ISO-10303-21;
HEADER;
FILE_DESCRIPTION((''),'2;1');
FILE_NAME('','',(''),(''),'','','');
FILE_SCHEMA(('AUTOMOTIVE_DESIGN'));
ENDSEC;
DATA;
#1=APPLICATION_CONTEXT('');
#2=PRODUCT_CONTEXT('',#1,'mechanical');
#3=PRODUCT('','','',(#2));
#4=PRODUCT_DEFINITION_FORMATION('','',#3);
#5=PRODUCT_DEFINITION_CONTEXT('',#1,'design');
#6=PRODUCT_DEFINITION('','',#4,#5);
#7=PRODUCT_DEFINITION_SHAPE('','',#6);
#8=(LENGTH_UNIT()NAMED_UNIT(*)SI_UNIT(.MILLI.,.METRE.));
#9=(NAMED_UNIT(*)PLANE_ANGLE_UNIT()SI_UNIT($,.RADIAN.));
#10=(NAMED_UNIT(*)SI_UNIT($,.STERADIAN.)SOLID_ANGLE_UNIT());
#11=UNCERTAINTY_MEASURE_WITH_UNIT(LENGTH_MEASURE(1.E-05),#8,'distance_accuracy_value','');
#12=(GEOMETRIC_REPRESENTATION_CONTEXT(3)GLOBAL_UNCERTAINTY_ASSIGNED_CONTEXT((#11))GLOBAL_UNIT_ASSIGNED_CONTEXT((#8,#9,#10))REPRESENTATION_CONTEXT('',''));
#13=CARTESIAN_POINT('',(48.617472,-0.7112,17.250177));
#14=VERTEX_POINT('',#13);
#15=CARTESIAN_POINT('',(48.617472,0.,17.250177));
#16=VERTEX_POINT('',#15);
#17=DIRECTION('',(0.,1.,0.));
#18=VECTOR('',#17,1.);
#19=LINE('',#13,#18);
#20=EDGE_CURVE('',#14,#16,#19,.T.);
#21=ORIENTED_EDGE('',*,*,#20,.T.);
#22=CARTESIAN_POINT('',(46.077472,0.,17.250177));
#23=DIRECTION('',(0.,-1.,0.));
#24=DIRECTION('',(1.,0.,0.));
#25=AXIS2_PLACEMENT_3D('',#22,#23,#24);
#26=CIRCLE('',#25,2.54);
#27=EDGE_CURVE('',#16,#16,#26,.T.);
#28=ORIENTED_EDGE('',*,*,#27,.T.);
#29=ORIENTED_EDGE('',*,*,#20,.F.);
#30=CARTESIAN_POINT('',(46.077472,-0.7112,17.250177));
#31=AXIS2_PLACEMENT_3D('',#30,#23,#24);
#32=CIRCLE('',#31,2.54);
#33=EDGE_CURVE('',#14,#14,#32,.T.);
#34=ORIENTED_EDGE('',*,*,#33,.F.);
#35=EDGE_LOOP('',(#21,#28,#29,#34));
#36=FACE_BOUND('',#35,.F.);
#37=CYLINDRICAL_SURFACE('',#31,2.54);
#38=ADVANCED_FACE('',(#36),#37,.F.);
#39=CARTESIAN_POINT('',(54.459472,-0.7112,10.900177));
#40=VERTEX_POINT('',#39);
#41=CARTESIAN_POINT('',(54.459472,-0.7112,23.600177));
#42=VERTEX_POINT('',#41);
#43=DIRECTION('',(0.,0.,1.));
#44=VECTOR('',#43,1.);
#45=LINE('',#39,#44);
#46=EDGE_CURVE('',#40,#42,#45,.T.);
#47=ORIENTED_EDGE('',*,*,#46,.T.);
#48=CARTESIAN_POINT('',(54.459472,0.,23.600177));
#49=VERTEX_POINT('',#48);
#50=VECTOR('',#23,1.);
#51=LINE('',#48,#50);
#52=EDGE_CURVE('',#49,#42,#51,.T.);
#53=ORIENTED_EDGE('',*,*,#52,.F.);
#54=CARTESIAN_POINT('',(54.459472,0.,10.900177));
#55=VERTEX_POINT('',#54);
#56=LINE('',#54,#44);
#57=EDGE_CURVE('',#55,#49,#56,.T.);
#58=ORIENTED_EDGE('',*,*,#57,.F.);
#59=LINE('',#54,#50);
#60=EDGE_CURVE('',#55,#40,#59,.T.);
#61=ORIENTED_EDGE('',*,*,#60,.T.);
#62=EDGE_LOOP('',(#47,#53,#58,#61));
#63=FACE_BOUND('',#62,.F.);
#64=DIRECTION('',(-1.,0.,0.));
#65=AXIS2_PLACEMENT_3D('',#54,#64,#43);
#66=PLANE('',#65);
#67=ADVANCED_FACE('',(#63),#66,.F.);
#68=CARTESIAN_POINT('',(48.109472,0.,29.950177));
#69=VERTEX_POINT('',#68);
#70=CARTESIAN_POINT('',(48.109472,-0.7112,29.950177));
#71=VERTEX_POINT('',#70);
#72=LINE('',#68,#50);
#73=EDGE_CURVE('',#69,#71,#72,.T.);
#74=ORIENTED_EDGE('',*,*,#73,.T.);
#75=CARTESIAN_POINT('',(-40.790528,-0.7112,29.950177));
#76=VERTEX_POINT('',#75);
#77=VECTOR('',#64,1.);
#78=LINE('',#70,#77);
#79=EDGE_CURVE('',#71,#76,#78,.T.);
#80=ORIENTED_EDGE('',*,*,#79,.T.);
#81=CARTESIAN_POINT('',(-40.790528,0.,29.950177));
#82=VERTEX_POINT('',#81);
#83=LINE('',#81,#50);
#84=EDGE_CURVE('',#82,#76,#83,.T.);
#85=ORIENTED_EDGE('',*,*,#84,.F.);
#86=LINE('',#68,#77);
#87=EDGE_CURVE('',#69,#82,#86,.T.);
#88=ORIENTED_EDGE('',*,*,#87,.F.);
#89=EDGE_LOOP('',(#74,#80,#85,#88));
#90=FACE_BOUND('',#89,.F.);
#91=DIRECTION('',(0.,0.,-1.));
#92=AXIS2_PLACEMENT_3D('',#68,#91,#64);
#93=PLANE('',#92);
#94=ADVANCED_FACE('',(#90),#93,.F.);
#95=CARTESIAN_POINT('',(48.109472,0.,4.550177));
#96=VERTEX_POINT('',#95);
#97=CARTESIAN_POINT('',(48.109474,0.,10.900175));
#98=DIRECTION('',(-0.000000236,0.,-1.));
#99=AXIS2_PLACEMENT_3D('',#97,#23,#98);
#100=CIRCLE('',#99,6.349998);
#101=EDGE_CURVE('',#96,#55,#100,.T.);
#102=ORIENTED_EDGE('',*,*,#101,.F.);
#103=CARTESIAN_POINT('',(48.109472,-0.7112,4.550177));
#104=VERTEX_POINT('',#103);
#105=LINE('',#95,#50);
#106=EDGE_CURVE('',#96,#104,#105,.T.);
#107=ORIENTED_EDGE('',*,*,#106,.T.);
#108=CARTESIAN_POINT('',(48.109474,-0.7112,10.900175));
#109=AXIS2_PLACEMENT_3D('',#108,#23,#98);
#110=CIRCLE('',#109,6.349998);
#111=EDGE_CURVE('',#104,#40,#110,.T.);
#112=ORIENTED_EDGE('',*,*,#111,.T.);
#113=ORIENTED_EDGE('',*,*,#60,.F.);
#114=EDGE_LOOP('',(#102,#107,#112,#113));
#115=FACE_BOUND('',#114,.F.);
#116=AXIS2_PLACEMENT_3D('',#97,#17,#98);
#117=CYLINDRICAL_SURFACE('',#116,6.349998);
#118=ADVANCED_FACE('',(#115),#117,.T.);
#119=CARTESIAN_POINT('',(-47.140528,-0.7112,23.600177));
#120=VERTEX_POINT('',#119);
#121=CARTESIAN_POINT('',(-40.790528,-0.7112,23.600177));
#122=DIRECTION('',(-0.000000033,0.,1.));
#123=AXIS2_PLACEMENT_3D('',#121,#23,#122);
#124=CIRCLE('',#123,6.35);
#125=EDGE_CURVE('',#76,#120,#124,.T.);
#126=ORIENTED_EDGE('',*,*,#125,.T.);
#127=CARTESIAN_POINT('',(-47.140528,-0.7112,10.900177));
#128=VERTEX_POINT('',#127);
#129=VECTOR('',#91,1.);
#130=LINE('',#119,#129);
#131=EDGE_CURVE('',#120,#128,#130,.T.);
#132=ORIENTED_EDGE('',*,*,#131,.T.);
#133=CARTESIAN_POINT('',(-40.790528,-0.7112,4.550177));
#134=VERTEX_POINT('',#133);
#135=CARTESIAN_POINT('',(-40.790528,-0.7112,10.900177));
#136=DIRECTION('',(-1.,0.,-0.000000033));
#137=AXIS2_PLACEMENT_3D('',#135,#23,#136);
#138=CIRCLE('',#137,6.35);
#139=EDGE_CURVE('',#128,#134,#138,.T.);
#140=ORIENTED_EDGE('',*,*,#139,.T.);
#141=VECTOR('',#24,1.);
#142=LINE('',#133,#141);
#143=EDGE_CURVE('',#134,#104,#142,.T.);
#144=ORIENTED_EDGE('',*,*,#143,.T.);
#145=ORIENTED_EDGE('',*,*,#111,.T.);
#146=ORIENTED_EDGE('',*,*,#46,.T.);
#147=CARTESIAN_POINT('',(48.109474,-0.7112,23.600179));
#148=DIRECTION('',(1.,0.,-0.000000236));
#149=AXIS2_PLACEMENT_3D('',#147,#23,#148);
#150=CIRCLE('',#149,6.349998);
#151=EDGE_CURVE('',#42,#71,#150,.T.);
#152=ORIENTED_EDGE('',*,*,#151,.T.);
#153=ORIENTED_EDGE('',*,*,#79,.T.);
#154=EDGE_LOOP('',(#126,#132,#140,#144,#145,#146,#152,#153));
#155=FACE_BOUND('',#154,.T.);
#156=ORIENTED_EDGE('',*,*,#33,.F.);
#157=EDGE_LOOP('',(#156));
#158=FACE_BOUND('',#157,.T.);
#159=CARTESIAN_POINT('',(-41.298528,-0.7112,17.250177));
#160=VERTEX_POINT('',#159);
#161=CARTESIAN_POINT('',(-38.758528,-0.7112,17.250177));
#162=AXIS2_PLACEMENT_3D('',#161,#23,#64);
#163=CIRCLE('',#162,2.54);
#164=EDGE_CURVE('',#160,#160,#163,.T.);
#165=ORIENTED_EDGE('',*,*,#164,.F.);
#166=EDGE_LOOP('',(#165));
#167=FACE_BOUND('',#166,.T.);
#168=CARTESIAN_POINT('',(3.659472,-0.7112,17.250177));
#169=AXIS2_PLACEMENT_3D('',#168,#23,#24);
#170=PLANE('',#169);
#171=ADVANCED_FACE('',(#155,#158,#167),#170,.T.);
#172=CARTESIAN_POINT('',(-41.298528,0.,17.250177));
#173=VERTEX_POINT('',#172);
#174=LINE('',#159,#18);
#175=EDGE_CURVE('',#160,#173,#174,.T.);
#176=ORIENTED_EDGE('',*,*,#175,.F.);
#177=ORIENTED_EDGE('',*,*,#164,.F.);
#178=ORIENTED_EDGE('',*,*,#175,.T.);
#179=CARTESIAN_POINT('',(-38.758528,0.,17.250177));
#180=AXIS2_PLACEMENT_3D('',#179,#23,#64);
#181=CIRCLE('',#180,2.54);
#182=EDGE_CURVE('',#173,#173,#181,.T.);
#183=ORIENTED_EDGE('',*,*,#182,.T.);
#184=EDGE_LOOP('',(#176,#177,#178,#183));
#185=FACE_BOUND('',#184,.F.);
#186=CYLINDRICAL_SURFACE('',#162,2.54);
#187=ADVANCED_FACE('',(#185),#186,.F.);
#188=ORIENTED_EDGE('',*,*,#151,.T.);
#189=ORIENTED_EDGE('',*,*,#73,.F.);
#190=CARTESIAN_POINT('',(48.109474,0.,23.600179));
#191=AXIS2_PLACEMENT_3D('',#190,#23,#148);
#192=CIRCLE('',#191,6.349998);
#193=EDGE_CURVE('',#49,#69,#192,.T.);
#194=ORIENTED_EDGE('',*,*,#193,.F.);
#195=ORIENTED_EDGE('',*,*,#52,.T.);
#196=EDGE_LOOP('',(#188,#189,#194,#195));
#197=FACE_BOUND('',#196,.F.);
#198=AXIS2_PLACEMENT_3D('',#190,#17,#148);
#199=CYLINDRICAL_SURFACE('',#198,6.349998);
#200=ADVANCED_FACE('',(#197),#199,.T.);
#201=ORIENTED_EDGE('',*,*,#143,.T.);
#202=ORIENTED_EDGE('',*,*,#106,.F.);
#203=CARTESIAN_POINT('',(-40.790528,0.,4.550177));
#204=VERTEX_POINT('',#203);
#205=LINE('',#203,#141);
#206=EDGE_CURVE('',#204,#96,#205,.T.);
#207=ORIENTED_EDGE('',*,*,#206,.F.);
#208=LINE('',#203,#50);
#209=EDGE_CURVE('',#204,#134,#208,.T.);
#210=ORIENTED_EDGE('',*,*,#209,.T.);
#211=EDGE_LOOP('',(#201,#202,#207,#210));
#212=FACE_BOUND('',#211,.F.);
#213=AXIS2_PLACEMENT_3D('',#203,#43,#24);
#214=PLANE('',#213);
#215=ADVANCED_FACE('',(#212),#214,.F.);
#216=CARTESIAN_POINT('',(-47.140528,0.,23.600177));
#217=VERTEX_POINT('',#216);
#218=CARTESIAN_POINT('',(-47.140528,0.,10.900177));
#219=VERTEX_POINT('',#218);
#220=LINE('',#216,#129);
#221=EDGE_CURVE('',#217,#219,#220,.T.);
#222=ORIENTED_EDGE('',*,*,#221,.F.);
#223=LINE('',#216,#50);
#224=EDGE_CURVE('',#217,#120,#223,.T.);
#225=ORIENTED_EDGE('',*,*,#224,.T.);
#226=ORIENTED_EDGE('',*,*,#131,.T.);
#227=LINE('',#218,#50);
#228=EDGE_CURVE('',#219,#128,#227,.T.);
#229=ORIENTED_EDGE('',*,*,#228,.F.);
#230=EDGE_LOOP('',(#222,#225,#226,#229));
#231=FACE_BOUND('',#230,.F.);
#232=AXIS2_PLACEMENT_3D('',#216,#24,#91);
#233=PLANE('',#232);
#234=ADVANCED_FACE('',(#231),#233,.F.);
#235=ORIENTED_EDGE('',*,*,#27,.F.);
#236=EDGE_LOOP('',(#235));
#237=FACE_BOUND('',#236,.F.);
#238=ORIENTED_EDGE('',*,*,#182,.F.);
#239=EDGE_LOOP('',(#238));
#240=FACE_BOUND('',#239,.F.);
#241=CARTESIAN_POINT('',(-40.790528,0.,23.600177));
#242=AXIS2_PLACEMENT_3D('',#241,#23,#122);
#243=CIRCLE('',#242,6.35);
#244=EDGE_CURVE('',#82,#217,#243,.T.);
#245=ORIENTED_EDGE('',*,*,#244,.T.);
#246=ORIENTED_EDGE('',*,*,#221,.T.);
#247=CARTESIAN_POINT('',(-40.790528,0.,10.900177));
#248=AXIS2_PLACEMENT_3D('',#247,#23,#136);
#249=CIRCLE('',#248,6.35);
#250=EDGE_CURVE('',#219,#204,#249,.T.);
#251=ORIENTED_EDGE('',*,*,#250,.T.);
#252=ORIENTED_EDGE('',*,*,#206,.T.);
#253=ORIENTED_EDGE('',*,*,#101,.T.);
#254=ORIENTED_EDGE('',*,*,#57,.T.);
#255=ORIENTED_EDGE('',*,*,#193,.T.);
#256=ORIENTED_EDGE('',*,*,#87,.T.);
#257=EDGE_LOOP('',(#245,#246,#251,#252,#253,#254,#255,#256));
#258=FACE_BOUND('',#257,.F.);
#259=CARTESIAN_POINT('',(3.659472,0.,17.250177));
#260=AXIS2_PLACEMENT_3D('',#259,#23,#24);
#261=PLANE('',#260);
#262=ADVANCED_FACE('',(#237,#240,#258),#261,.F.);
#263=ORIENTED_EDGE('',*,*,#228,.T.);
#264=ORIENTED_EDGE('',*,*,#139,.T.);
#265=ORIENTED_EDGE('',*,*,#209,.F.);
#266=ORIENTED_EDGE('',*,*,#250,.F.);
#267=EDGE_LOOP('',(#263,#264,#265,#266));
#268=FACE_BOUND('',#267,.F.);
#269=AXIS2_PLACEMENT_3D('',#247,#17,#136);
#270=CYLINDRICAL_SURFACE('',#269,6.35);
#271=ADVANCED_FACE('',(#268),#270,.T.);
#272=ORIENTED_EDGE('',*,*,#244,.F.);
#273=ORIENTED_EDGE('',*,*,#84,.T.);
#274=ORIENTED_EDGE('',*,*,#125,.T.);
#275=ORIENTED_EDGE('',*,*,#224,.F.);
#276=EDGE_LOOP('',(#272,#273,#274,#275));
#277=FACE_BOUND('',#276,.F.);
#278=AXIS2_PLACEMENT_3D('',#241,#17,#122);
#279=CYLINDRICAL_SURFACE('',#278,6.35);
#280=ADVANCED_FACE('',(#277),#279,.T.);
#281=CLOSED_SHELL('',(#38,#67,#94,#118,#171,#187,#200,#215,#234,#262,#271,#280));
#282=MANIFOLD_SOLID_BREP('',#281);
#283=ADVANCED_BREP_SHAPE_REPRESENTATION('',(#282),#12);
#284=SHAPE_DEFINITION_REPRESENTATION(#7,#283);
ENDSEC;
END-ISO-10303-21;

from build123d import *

# Parameters (mm, degrees)
F1_DEPTH = 0.7112
F2_R     = 2.54
F3_DEPTH = 25.4


with BuildPart() as f1:
    # F0 (on Front) → F1 (new body)
    with BuildSketch(Plane.XZ):
        with BuildLine():
            Line((48.109472, 29.950177), (-40.790528, 29.950177))
            ThreePointArc((-40.790528, 29.950177), (-45.280656, 28.090305), (-47.140528, 23.600177))
            Line((-47.140528, 23.600177), (-47.140528, 10.900177))
            ThreePointArc((-47.140528, 10.900177), (-45.280656, 6.410049), (-40.790528, 4.550177))
            Line((-40.790528, 4.550177), (48.109472, 4.550177))
            ThreePointArc((48.109472, 4.550177), (52.599601, 6.410049), (54.459472, 10.900177))
            Line((54.459472, 10.900177), (54.459472, 23.600177))
            ThreePointArc((54.459472, 23.600177), (52.599601, 28.090305), (48.109472, 29.950177))
        make_face()
    extrude(amount=F1_DEPTH)

    # F2 (on face) → F3 (cut)
    with BuildSketch(Plane.XZ.offset(0.7112)):
        with BuildLine():
            ThreePointArc((-36.218528, 17.250177), (-38.758528, 19.790177), (-41.298528, 17.250177))
            ThreePointArc((-41.298528, 17.250177), (-38.758528, 14.710177), (-36.218528, 17.250177))
        make_face()
        with Locations((46.077472, 17.250177)):
            Circle(F2_R)
    extrude(amount=-F3_DEPTH, mode=Mode.SUBTRACT)


solid = f1.part
